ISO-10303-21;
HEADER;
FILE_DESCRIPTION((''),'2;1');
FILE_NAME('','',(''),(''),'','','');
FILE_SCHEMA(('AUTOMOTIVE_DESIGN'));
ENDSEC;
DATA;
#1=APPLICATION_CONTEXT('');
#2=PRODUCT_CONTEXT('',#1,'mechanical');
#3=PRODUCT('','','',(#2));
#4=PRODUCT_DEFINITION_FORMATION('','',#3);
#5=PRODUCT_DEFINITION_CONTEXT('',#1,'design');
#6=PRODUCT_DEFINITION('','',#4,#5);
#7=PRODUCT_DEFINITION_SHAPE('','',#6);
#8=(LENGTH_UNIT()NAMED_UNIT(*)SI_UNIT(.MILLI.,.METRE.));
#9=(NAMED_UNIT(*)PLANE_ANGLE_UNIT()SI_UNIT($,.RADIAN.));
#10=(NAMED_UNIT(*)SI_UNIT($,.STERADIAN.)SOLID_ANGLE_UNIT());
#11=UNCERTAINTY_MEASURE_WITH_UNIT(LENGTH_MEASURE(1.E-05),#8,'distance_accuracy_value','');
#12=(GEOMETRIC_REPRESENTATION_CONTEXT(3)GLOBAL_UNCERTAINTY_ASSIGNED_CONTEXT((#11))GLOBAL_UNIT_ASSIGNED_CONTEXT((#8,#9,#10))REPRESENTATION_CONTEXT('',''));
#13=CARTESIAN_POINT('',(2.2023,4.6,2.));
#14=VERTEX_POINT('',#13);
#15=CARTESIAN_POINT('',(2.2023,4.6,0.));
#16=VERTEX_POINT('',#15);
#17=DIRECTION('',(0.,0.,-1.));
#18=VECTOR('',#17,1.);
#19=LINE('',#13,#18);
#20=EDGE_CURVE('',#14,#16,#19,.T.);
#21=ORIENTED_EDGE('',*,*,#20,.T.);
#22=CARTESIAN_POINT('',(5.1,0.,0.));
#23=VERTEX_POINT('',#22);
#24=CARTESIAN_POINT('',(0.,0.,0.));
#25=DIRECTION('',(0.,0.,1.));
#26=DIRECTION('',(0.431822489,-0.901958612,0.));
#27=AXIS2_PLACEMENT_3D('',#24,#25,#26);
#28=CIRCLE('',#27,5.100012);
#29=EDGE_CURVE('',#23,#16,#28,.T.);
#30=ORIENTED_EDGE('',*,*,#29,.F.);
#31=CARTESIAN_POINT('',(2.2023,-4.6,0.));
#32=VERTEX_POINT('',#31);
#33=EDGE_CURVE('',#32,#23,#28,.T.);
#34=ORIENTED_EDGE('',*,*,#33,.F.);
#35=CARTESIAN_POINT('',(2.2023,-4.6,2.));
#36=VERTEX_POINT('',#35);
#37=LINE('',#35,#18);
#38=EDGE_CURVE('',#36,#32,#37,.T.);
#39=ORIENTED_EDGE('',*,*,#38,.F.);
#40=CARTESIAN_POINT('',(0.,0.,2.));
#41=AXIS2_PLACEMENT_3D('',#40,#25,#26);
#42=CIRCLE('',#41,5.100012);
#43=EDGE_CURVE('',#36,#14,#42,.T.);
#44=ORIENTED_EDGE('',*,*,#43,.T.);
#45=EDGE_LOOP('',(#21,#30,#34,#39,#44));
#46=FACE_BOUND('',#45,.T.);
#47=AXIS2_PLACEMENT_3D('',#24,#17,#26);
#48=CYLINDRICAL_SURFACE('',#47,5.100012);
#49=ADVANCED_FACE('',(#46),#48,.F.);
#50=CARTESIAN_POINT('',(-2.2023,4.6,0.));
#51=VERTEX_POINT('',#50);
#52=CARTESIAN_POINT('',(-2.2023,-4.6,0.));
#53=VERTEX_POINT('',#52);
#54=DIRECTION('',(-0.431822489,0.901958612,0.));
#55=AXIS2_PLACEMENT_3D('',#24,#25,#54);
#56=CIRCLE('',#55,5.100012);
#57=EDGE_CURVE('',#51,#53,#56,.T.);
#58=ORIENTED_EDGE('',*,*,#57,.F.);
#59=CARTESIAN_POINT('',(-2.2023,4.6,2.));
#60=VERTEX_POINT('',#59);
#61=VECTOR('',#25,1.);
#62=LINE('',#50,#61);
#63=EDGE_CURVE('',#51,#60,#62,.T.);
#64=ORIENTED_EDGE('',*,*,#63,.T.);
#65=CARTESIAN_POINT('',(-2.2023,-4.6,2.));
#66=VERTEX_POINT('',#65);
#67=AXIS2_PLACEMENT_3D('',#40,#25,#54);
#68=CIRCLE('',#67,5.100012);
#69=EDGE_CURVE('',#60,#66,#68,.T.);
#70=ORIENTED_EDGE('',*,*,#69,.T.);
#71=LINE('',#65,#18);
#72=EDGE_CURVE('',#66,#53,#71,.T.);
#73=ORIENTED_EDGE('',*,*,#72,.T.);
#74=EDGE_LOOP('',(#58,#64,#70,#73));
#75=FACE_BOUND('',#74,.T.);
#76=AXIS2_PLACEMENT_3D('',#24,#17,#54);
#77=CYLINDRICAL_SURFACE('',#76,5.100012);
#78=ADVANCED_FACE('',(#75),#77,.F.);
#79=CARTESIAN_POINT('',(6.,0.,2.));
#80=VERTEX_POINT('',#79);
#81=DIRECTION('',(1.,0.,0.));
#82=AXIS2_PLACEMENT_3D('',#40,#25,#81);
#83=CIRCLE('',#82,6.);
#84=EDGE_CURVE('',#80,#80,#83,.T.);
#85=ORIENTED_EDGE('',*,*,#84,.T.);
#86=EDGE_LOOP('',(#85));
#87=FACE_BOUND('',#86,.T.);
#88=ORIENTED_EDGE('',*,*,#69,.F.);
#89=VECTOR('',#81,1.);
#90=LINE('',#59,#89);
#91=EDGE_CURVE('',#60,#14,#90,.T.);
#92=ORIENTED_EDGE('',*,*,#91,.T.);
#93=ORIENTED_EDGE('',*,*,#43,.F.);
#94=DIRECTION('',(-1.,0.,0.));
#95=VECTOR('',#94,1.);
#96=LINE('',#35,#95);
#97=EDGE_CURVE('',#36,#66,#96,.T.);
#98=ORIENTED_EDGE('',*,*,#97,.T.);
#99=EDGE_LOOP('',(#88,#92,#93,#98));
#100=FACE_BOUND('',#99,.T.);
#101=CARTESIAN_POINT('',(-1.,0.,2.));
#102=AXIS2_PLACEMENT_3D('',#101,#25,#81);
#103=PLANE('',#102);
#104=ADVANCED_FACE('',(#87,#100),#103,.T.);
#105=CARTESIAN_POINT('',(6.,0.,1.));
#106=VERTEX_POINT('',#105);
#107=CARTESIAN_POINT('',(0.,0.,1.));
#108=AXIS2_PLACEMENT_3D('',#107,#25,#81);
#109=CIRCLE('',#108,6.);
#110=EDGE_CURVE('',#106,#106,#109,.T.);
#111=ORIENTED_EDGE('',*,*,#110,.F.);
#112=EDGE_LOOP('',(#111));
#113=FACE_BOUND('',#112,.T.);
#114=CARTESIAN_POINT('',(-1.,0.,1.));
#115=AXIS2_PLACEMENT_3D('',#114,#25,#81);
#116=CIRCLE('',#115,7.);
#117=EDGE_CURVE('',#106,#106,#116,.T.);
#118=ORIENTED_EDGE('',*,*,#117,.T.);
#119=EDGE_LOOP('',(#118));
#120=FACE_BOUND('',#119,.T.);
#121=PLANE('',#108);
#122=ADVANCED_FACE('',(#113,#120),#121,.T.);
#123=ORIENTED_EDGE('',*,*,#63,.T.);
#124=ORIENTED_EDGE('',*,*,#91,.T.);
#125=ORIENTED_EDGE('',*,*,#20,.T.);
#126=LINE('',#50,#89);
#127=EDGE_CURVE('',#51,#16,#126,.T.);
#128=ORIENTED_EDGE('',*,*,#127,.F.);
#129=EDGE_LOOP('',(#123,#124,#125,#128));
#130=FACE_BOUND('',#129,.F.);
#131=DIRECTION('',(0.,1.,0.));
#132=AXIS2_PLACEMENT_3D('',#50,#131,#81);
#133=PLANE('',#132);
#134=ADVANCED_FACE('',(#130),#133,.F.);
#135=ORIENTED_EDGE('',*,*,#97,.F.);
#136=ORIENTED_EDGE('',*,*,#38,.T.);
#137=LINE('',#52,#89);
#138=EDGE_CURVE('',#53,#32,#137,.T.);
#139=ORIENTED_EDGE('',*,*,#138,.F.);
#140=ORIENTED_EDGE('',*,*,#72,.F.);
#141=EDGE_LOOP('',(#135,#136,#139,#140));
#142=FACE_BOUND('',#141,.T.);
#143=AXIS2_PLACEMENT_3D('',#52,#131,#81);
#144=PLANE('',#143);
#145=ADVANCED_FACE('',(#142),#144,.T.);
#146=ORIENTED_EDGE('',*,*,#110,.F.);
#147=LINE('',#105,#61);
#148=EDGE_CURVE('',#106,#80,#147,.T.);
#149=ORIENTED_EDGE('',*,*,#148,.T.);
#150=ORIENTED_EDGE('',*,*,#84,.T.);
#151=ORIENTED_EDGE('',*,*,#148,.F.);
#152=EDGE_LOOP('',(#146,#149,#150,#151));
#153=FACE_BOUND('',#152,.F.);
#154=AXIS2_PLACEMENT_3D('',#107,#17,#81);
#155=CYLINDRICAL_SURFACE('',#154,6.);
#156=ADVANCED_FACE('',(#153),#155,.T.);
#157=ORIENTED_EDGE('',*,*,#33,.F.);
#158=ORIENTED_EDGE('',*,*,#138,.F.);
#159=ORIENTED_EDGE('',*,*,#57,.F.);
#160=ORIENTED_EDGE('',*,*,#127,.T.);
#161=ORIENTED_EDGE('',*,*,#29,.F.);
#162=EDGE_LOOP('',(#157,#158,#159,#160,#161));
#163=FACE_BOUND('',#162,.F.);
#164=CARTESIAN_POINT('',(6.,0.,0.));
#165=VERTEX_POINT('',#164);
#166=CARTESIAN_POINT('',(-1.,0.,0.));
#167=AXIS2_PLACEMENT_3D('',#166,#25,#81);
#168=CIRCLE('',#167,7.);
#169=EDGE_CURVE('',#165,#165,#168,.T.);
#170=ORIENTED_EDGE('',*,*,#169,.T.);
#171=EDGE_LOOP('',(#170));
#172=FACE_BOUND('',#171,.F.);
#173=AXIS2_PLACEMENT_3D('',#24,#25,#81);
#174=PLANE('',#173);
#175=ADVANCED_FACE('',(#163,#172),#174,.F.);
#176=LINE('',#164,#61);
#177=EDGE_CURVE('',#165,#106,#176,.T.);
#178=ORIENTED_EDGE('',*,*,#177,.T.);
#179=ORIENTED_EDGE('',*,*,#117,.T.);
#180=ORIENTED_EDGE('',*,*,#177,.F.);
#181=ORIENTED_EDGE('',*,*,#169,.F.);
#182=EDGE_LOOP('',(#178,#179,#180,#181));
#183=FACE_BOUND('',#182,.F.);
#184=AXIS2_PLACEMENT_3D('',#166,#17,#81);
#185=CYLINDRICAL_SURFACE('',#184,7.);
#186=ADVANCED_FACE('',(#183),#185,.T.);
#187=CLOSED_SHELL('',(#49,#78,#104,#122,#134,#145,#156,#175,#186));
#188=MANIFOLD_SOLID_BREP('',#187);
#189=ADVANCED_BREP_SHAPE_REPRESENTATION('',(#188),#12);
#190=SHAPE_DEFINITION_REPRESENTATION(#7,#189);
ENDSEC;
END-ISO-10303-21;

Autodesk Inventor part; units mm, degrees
ref_plane "YZ Plane" through (0, 0, 0) normal (1, 0, 0) x (0, 1, 0)
ref_plane "XZ Plane" through (0, 0, 0) normal (0, 1, 0) x (-1, 0, 0)
ref_plane "XY Plane" through (0, 0, 0) normal (0, 0, 1) x (1, 0, 0)
sketch "Sketch1" plane through (0, 0, 0) normal (0, 0, 1) x (1, 0, 0)
  line L0 (-2.2023, 4.6) -> (2.2023, 4.6)
  line L1 (-2.2023, -4.6) -> (2.2023, -4.6)
  line L2 (0, 0) -> (7.7204, 0) construction
  arc A0 (-2.2023, 4.6) -> (-2.2023, -4.6) centre (0, 0) ccw
  arc A1 (2.2023, -4.6) -> (2.2023, 4.6) centre (0, 0) ccw
  line L3 (0, 0) -> (-1, 0)
  circle A2 centre (-1, 0) radius 7
  line L4 (5.1, 0) -> (6, 0)
  dimension "d3" = 14
  dimension "d0" = 9.2
  dimension "d1" = 5.1
  dimension "d2" = 1
  dimension "d9" = 0.9
extrude "Extrusion1" add sketch "Sketch1" along normal blind 1
sketch "Sketch2" plane through (-1, 0, 1) normal (0, 0, 1) x (1, 0, 0)
  arc A0 (3.2023, -4.6) -> (3.2023, 4.6) centre (1, 0) ccw projected
  line L0 (3.2023, -4.6) -> (-1.2023, -4.6) projected
  arc A1 (-1.2023, 4.6) -> (-1.2023, -4.6) centre (1, 0) ccw projected
  line L1 (-1.2023, 4.6) -> (3.2023, 4.6) projected
  circle A2 centre (0, 0) radius 7 projected
  circle A3 centre (1, 0) radius 6
  dimension "d6" = 12
extrude "Extrusion2" add sketch "Sketch2" along normal blind 1 contours A3
properties part number "top_clip"
